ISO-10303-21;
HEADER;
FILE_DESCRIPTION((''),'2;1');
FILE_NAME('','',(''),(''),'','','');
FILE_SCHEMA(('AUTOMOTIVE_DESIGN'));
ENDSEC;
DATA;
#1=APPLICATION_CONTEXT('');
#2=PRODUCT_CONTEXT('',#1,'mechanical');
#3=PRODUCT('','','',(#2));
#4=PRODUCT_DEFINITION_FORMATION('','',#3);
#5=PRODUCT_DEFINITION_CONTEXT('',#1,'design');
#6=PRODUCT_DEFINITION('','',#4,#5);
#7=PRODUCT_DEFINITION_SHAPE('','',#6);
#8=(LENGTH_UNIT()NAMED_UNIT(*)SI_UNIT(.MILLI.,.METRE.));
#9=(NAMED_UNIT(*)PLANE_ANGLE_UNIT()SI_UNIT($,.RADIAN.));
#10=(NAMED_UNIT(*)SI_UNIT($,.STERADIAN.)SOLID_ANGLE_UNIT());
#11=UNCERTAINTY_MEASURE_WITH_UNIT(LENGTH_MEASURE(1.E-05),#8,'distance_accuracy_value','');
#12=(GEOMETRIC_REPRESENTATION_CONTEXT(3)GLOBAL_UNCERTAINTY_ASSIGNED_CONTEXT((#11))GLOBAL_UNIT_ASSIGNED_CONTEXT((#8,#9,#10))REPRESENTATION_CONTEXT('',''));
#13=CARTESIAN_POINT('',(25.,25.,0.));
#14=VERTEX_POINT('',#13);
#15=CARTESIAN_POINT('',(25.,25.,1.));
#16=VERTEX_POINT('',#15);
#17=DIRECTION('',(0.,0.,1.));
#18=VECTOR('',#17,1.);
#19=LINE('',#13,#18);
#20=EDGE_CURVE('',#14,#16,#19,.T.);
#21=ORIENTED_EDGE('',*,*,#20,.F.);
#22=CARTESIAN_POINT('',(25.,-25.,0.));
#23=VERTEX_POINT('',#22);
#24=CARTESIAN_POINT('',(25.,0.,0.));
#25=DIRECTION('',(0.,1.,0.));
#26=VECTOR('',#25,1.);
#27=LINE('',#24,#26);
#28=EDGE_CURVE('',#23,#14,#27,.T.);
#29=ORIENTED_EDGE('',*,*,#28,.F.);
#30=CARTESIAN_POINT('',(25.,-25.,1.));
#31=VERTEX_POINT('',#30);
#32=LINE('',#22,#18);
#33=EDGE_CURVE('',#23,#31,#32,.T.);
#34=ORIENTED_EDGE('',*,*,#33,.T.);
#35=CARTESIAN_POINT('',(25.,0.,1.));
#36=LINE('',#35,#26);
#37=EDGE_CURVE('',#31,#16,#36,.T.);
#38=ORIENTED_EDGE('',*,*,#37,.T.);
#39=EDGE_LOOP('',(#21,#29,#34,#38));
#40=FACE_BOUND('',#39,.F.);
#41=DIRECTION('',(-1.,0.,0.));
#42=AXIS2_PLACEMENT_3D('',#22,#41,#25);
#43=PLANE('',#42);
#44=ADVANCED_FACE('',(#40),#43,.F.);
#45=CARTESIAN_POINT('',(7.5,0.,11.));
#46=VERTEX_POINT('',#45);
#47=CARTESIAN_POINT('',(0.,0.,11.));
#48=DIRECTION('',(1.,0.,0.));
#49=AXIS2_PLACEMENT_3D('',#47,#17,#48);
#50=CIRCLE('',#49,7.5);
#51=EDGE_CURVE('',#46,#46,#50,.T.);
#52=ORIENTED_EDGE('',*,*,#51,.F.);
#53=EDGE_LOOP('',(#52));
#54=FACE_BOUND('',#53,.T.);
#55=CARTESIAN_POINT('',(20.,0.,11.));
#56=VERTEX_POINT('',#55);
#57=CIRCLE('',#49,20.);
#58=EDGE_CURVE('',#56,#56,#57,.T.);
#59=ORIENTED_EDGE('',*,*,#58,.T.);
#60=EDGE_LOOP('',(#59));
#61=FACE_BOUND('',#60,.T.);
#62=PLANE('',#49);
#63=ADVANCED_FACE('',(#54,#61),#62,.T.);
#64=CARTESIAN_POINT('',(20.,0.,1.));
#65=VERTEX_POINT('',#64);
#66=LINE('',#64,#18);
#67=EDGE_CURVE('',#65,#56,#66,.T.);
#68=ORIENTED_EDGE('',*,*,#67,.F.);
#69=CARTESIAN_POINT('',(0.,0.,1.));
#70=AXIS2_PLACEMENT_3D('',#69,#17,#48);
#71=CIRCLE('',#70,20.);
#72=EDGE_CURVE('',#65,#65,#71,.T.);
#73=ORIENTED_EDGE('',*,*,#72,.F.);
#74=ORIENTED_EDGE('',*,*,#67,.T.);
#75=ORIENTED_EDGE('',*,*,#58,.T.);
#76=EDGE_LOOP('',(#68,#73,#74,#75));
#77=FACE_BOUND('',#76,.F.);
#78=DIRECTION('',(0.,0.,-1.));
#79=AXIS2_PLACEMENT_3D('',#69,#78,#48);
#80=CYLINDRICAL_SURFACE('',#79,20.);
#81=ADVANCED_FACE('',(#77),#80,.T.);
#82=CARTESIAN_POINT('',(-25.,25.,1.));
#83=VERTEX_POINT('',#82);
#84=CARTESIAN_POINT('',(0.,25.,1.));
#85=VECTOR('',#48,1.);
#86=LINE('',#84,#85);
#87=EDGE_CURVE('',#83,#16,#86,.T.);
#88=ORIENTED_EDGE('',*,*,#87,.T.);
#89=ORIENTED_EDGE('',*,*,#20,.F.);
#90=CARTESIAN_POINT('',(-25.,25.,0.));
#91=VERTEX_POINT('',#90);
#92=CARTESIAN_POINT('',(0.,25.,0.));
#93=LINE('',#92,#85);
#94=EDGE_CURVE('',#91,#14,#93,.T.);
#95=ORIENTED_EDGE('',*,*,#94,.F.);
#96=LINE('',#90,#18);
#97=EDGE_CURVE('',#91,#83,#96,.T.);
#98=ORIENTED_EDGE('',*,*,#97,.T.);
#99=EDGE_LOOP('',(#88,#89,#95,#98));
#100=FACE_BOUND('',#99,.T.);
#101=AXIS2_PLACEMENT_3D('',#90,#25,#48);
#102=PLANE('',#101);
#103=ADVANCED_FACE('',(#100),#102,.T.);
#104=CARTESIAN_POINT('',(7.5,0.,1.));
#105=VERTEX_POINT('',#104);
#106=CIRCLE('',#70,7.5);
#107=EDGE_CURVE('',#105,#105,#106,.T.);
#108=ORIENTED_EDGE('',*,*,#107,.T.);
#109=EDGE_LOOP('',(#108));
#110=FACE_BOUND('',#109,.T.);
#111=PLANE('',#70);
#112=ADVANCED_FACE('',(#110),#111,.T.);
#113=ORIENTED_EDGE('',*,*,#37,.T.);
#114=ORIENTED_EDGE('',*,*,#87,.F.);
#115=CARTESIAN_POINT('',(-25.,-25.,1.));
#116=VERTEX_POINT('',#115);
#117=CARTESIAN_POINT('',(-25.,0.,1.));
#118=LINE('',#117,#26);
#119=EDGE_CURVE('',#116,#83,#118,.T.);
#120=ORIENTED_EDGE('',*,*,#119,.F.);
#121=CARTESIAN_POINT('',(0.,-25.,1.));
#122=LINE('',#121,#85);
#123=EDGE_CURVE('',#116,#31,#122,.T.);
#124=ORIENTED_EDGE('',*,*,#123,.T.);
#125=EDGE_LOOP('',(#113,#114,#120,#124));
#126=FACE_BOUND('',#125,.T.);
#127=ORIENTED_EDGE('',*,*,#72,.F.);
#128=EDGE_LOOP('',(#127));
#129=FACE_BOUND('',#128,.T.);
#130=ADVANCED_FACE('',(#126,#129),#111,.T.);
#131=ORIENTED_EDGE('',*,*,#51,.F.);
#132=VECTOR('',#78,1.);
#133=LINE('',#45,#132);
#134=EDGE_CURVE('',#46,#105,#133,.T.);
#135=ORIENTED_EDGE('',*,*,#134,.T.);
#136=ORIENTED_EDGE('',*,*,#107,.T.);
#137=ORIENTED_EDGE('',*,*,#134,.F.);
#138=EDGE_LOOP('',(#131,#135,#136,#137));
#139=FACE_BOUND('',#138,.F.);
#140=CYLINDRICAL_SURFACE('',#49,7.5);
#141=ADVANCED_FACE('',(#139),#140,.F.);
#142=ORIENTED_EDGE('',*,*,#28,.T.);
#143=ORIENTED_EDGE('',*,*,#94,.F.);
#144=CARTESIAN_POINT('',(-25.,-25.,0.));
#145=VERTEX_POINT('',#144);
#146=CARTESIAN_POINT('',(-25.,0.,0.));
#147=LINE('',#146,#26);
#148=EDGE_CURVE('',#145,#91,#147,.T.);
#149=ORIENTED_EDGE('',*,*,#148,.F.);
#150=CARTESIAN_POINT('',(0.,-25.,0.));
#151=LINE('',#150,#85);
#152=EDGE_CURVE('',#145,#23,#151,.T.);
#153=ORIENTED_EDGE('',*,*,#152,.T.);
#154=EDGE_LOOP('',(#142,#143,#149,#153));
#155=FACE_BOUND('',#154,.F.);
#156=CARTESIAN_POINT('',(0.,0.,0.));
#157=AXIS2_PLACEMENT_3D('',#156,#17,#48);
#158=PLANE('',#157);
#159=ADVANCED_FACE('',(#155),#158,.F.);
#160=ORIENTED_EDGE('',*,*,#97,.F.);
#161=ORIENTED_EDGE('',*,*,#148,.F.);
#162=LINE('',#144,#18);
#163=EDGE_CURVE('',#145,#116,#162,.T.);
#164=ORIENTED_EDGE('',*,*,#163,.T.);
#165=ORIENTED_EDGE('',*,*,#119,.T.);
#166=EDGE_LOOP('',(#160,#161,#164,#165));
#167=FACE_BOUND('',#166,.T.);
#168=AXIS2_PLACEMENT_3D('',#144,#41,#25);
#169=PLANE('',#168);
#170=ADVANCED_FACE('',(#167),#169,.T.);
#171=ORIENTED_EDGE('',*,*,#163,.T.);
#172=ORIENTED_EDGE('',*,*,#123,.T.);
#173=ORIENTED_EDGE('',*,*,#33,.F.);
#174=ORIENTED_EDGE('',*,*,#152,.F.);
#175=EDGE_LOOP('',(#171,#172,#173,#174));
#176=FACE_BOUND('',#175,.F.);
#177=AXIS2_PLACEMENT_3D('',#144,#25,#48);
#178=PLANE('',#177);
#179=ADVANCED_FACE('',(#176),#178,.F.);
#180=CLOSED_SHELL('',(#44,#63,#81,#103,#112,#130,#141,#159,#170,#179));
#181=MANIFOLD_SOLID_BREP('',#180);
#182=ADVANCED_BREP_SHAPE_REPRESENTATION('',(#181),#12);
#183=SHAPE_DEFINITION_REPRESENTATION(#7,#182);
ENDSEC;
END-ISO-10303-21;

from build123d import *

# Parameters (mm, degrees)
F0_W     = 50
F0_H     = 50
F1_DEPTH = 1
F2_R     = 20
F3_DEPTH = 10
F4_R     = 7.5
F5_DEPTH = 10


with BuildPart() as f1:
    # F0 (on Top) → F1 (new body)
    with BuildSketch(Plane.XY):
        Rectangle(F0_W, F0_H)
    extrude(amount=F1_DEPTH)

    # F2 (on face) → F3 (join)
    with BuildSketch(Plane.XY.offset(1)):
        Circle(F2_R)
    extrude(amount=F3_DEPTH)

    # F4 (on face) → F5 (cut)
    with BuildSketch(Plane.XY.offset(11)):
        Circle(F4_R)
    extrude(amount=-F5_DEPTH, mode=Mode.SUBTRACT)


solid = f1.part
